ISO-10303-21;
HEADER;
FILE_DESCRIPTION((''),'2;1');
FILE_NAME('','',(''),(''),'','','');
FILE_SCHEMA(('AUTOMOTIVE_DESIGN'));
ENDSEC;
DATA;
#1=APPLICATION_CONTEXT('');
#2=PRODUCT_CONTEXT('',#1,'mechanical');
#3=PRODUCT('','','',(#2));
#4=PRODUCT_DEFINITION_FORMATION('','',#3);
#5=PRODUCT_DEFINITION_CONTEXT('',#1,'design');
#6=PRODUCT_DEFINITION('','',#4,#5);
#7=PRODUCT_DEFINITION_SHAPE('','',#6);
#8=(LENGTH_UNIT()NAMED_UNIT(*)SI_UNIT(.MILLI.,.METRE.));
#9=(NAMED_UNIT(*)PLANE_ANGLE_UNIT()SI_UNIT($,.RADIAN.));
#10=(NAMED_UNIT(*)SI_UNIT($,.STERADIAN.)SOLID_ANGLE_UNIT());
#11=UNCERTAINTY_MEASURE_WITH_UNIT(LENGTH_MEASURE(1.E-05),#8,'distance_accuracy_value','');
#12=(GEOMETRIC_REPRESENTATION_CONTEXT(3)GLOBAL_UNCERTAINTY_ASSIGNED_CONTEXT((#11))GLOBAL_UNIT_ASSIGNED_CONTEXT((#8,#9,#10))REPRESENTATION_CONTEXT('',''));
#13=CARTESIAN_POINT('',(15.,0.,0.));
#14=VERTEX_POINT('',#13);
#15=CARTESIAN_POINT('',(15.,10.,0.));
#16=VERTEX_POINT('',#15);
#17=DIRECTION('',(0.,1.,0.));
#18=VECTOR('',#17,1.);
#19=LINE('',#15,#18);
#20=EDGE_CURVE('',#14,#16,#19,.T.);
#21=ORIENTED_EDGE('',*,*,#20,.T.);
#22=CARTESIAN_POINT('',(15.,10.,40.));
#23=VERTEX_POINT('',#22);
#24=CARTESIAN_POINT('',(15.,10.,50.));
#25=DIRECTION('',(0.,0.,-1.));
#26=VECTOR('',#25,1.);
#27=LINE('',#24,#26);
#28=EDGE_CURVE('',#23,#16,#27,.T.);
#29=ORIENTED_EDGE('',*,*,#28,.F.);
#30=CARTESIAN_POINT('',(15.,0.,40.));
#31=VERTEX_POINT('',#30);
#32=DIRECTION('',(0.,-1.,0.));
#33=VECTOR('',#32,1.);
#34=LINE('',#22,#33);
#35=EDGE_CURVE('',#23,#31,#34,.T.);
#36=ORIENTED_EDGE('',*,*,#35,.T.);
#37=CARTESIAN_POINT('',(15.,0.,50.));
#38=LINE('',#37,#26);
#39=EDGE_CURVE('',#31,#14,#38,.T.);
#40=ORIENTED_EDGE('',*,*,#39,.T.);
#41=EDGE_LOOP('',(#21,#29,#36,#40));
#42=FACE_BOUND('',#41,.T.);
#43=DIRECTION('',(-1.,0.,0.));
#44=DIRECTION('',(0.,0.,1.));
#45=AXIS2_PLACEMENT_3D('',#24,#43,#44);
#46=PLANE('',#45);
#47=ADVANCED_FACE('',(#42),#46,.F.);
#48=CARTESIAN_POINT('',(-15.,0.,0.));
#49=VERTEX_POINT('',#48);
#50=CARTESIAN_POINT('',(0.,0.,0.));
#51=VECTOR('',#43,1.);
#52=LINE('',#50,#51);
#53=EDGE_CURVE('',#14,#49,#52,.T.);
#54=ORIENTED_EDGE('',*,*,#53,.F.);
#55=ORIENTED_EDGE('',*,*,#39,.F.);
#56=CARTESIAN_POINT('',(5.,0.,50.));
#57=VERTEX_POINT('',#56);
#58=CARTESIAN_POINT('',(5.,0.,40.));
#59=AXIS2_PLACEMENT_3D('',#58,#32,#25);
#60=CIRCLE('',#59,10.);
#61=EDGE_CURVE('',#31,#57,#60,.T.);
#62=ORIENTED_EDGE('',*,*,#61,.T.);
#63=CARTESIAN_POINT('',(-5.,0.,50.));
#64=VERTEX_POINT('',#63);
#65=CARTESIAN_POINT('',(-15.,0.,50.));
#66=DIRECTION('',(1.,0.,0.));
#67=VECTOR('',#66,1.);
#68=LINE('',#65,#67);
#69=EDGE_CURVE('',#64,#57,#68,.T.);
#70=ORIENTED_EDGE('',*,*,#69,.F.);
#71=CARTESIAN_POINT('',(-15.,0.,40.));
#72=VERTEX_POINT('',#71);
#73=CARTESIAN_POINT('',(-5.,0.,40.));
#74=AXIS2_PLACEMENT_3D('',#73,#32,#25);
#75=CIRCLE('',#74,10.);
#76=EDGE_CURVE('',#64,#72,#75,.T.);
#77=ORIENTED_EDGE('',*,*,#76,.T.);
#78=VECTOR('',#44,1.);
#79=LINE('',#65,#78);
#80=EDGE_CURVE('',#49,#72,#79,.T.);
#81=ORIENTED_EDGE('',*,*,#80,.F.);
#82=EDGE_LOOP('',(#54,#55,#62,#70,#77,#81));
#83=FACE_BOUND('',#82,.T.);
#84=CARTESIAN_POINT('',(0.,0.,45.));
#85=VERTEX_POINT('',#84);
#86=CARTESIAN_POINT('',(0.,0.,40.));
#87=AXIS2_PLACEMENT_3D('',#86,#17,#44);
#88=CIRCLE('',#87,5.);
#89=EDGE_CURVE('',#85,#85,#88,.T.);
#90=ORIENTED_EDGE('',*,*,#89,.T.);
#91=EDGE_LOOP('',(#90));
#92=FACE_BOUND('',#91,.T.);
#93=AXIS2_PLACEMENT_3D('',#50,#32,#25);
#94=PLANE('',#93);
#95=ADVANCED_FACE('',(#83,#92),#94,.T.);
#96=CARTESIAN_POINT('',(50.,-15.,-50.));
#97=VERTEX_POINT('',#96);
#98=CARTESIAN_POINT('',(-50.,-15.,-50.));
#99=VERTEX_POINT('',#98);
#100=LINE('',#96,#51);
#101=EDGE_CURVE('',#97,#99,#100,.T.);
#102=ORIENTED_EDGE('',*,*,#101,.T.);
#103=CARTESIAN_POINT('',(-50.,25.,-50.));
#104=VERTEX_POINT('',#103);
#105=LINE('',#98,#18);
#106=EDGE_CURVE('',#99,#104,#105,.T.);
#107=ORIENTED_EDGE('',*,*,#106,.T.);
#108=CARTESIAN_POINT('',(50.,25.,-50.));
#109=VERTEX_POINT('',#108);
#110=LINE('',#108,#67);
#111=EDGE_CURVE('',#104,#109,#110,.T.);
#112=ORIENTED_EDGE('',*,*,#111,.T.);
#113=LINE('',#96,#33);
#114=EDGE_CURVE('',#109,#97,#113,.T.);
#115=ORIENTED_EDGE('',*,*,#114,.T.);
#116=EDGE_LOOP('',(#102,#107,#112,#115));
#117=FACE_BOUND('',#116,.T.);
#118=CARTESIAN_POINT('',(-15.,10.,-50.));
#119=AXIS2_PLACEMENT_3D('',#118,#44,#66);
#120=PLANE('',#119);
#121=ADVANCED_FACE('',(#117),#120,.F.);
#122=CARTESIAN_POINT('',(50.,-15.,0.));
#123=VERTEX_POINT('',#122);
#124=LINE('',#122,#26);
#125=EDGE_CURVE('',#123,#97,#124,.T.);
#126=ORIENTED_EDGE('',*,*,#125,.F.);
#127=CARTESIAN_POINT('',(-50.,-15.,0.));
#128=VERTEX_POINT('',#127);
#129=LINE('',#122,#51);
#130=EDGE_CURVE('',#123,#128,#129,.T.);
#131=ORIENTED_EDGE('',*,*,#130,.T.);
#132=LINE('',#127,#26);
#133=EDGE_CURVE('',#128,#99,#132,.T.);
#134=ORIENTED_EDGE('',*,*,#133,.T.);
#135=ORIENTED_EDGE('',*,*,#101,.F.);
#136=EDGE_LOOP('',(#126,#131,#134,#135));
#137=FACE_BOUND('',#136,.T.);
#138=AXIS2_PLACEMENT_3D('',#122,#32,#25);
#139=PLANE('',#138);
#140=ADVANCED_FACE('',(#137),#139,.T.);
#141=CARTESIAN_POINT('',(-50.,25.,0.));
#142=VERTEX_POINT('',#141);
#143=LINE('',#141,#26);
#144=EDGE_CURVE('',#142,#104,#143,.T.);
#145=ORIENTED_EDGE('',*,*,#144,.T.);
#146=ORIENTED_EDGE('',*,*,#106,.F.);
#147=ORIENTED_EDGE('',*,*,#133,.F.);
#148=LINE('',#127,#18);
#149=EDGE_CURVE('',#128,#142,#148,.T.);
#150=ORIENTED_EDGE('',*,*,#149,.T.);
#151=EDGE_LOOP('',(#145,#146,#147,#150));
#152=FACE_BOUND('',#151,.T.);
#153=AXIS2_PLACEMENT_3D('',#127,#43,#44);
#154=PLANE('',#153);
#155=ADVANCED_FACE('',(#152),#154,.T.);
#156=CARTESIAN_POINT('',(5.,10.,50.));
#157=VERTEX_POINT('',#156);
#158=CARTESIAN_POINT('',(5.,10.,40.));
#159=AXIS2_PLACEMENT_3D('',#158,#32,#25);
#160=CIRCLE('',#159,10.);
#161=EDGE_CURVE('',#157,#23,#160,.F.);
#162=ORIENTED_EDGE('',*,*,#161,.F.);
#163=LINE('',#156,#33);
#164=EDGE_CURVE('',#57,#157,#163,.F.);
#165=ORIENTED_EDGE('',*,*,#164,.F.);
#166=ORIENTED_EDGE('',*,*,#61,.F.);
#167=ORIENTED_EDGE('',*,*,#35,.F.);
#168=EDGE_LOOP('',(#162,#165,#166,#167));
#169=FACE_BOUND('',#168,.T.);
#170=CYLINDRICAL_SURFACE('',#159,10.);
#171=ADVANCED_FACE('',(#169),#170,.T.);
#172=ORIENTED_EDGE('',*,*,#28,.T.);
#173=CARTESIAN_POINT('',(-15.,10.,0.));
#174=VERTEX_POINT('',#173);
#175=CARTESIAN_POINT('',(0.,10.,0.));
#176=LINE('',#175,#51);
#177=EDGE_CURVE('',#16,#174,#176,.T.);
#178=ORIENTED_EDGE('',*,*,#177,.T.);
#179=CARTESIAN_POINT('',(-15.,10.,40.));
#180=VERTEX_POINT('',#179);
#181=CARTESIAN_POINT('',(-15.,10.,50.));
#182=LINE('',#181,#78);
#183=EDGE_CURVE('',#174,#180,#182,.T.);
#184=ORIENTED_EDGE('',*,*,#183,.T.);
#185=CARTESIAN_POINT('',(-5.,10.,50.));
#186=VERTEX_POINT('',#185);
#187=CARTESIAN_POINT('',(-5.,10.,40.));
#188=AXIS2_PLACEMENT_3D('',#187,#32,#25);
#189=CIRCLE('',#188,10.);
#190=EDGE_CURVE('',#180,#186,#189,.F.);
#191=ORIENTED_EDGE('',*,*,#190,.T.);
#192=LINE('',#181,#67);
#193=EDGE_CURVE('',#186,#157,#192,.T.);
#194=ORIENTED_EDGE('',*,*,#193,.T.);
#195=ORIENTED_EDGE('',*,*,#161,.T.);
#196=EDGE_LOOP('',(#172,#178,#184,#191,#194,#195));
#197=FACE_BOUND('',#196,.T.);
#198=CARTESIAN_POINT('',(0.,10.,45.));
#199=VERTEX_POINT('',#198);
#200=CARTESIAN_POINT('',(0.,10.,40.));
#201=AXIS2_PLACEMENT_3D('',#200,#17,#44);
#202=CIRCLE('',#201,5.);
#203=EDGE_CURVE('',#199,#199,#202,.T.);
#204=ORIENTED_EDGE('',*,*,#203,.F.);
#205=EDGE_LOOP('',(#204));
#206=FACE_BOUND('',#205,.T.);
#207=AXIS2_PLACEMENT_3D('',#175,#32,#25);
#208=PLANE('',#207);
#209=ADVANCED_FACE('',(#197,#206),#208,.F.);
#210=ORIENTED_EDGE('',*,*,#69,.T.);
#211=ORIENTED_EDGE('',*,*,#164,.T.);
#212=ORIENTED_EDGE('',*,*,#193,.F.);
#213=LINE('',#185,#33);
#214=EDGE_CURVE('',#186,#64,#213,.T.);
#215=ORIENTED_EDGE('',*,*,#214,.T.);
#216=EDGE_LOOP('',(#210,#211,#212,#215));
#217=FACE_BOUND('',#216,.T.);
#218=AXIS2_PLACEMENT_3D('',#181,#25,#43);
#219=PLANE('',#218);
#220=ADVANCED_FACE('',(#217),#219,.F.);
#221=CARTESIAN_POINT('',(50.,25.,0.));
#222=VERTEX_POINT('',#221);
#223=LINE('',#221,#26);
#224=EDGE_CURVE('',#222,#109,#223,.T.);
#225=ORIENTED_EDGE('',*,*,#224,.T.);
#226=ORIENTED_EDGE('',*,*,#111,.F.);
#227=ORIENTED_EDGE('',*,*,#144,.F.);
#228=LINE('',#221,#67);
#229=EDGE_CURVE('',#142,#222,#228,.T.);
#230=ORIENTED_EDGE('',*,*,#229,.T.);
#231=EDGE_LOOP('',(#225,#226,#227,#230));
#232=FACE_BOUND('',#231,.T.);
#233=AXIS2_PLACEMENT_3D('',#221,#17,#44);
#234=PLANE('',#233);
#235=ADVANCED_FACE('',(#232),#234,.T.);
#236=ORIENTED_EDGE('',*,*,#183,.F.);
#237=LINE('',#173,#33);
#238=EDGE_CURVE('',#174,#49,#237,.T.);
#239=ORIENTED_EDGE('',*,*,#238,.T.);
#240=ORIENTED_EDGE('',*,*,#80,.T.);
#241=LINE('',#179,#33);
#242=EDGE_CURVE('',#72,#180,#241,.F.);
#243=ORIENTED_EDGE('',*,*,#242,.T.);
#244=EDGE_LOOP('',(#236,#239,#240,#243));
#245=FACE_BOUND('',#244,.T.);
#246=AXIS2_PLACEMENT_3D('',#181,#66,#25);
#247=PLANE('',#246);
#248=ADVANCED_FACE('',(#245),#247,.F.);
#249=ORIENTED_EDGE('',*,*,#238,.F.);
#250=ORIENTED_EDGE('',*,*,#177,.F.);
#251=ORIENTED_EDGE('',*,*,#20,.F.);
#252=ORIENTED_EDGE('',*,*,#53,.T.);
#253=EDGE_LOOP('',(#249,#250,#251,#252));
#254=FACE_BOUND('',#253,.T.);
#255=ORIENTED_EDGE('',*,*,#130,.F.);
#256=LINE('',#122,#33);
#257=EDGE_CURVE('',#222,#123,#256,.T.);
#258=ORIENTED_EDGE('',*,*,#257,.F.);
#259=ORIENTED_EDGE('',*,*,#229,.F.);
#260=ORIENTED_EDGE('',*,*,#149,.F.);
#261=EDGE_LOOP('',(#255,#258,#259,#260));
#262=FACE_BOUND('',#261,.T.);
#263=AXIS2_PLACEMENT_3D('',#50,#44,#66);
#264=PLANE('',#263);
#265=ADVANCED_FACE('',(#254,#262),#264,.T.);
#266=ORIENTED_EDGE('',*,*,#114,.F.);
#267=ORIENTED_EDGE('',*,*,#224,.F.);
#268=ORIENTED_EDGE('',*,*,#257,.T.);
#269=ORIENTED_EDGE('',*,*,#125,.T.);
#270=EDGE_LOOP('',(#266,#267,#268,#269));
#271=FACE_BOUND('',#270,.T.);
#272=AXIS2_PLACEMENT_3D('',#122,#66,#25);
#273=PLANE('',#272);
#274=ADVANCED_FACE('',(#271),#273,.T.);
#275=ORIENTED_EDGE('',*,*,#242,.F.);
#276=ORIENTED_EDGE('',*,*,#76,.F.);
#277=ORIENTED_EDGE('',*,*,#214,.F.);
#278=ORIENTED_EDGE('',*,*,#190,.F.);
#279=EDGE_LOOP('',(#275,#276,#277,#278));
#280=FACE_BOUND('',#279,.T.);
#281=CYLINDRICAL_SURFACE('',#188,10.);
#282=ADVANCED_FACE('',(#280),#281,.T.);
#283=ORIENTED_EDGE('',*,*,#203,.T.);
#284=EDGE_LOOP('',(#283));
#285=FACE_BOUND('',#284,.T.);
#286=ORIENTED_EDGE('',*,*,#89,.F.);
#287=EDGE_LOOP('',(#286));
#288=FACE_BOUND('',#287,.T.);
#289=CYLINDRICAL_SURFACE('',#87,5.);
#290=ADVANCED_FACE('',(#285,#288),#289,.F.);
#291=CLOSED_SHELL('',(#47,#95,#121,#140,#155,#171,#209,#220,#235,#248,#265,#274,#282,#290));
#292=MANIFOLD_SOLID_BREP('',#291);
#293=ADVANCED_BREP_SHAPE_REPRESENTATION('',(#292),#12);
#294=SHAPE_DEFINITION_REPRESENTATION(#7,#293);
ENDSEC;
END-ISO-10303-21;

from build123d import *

# Parameters (mm, degrees)
SKETCH1_W           = 30
SKETCH1_H           = 100
BOSS_EXTRUDE1_DEPTH = 10
SKETCH2_R           = 5
CUT_EXTRUDE1_DEPTH  = 10
SKETCH3_W           = 100
SKETCH3_H           = 40
BOSS_EXTRUDE2_DEPTH = 50
FILLET1_R           = 10


with BuildPart() as part:
    # Sketch1 → Boss-Extrude1 (new body)
    with BuildSketch(Plane(origin=(0, 0, 0), x_dir=(1, 0, 0), z_dir=(0, 1, 0))):
        Rectangle(SKETCH1_W, SKETCH1_H)
    extrude(amount=BOSS_EXTRUDE1_DEPTH)

    # Sketch2 → Cut-Extrude1 (cut)
    with BuildSketch(Plane(origin=(0, 10, 0), x_dir=(1, 0, 0), z_dir=(0, 1, 0))):
        with Locations(Location((0, -40, 0), (0, 0, 270))):
            Circle(SKETCH2_R)
    extrude(amount=-CUT_EXTRUDE1_DEPTH, mode=Mode.SUBTRACT)

    # Sketch3 → Boss-Extrude2 (add)
    with BuildSketch(Plane(origin=(0, 0, -50), x_dir=(-1, 0, 0), z_dir=(0, 0, -1))):
        with Locations((0, 5)):
            Rectangle(SKETCH3_W, SKETCH3_H)
    extrude(amount=-BOSS_EXTRUDE2_DEPTH)

    # Fillet1
    fillet1_edges = [part.edges().sort_by_distance(p)[0] for p in [
        (15, 5, 50),
        (-15, 5, 50),
    ]]
    fillet(fillet1_edges, radius=FILLET1_R)


solid = part.part
